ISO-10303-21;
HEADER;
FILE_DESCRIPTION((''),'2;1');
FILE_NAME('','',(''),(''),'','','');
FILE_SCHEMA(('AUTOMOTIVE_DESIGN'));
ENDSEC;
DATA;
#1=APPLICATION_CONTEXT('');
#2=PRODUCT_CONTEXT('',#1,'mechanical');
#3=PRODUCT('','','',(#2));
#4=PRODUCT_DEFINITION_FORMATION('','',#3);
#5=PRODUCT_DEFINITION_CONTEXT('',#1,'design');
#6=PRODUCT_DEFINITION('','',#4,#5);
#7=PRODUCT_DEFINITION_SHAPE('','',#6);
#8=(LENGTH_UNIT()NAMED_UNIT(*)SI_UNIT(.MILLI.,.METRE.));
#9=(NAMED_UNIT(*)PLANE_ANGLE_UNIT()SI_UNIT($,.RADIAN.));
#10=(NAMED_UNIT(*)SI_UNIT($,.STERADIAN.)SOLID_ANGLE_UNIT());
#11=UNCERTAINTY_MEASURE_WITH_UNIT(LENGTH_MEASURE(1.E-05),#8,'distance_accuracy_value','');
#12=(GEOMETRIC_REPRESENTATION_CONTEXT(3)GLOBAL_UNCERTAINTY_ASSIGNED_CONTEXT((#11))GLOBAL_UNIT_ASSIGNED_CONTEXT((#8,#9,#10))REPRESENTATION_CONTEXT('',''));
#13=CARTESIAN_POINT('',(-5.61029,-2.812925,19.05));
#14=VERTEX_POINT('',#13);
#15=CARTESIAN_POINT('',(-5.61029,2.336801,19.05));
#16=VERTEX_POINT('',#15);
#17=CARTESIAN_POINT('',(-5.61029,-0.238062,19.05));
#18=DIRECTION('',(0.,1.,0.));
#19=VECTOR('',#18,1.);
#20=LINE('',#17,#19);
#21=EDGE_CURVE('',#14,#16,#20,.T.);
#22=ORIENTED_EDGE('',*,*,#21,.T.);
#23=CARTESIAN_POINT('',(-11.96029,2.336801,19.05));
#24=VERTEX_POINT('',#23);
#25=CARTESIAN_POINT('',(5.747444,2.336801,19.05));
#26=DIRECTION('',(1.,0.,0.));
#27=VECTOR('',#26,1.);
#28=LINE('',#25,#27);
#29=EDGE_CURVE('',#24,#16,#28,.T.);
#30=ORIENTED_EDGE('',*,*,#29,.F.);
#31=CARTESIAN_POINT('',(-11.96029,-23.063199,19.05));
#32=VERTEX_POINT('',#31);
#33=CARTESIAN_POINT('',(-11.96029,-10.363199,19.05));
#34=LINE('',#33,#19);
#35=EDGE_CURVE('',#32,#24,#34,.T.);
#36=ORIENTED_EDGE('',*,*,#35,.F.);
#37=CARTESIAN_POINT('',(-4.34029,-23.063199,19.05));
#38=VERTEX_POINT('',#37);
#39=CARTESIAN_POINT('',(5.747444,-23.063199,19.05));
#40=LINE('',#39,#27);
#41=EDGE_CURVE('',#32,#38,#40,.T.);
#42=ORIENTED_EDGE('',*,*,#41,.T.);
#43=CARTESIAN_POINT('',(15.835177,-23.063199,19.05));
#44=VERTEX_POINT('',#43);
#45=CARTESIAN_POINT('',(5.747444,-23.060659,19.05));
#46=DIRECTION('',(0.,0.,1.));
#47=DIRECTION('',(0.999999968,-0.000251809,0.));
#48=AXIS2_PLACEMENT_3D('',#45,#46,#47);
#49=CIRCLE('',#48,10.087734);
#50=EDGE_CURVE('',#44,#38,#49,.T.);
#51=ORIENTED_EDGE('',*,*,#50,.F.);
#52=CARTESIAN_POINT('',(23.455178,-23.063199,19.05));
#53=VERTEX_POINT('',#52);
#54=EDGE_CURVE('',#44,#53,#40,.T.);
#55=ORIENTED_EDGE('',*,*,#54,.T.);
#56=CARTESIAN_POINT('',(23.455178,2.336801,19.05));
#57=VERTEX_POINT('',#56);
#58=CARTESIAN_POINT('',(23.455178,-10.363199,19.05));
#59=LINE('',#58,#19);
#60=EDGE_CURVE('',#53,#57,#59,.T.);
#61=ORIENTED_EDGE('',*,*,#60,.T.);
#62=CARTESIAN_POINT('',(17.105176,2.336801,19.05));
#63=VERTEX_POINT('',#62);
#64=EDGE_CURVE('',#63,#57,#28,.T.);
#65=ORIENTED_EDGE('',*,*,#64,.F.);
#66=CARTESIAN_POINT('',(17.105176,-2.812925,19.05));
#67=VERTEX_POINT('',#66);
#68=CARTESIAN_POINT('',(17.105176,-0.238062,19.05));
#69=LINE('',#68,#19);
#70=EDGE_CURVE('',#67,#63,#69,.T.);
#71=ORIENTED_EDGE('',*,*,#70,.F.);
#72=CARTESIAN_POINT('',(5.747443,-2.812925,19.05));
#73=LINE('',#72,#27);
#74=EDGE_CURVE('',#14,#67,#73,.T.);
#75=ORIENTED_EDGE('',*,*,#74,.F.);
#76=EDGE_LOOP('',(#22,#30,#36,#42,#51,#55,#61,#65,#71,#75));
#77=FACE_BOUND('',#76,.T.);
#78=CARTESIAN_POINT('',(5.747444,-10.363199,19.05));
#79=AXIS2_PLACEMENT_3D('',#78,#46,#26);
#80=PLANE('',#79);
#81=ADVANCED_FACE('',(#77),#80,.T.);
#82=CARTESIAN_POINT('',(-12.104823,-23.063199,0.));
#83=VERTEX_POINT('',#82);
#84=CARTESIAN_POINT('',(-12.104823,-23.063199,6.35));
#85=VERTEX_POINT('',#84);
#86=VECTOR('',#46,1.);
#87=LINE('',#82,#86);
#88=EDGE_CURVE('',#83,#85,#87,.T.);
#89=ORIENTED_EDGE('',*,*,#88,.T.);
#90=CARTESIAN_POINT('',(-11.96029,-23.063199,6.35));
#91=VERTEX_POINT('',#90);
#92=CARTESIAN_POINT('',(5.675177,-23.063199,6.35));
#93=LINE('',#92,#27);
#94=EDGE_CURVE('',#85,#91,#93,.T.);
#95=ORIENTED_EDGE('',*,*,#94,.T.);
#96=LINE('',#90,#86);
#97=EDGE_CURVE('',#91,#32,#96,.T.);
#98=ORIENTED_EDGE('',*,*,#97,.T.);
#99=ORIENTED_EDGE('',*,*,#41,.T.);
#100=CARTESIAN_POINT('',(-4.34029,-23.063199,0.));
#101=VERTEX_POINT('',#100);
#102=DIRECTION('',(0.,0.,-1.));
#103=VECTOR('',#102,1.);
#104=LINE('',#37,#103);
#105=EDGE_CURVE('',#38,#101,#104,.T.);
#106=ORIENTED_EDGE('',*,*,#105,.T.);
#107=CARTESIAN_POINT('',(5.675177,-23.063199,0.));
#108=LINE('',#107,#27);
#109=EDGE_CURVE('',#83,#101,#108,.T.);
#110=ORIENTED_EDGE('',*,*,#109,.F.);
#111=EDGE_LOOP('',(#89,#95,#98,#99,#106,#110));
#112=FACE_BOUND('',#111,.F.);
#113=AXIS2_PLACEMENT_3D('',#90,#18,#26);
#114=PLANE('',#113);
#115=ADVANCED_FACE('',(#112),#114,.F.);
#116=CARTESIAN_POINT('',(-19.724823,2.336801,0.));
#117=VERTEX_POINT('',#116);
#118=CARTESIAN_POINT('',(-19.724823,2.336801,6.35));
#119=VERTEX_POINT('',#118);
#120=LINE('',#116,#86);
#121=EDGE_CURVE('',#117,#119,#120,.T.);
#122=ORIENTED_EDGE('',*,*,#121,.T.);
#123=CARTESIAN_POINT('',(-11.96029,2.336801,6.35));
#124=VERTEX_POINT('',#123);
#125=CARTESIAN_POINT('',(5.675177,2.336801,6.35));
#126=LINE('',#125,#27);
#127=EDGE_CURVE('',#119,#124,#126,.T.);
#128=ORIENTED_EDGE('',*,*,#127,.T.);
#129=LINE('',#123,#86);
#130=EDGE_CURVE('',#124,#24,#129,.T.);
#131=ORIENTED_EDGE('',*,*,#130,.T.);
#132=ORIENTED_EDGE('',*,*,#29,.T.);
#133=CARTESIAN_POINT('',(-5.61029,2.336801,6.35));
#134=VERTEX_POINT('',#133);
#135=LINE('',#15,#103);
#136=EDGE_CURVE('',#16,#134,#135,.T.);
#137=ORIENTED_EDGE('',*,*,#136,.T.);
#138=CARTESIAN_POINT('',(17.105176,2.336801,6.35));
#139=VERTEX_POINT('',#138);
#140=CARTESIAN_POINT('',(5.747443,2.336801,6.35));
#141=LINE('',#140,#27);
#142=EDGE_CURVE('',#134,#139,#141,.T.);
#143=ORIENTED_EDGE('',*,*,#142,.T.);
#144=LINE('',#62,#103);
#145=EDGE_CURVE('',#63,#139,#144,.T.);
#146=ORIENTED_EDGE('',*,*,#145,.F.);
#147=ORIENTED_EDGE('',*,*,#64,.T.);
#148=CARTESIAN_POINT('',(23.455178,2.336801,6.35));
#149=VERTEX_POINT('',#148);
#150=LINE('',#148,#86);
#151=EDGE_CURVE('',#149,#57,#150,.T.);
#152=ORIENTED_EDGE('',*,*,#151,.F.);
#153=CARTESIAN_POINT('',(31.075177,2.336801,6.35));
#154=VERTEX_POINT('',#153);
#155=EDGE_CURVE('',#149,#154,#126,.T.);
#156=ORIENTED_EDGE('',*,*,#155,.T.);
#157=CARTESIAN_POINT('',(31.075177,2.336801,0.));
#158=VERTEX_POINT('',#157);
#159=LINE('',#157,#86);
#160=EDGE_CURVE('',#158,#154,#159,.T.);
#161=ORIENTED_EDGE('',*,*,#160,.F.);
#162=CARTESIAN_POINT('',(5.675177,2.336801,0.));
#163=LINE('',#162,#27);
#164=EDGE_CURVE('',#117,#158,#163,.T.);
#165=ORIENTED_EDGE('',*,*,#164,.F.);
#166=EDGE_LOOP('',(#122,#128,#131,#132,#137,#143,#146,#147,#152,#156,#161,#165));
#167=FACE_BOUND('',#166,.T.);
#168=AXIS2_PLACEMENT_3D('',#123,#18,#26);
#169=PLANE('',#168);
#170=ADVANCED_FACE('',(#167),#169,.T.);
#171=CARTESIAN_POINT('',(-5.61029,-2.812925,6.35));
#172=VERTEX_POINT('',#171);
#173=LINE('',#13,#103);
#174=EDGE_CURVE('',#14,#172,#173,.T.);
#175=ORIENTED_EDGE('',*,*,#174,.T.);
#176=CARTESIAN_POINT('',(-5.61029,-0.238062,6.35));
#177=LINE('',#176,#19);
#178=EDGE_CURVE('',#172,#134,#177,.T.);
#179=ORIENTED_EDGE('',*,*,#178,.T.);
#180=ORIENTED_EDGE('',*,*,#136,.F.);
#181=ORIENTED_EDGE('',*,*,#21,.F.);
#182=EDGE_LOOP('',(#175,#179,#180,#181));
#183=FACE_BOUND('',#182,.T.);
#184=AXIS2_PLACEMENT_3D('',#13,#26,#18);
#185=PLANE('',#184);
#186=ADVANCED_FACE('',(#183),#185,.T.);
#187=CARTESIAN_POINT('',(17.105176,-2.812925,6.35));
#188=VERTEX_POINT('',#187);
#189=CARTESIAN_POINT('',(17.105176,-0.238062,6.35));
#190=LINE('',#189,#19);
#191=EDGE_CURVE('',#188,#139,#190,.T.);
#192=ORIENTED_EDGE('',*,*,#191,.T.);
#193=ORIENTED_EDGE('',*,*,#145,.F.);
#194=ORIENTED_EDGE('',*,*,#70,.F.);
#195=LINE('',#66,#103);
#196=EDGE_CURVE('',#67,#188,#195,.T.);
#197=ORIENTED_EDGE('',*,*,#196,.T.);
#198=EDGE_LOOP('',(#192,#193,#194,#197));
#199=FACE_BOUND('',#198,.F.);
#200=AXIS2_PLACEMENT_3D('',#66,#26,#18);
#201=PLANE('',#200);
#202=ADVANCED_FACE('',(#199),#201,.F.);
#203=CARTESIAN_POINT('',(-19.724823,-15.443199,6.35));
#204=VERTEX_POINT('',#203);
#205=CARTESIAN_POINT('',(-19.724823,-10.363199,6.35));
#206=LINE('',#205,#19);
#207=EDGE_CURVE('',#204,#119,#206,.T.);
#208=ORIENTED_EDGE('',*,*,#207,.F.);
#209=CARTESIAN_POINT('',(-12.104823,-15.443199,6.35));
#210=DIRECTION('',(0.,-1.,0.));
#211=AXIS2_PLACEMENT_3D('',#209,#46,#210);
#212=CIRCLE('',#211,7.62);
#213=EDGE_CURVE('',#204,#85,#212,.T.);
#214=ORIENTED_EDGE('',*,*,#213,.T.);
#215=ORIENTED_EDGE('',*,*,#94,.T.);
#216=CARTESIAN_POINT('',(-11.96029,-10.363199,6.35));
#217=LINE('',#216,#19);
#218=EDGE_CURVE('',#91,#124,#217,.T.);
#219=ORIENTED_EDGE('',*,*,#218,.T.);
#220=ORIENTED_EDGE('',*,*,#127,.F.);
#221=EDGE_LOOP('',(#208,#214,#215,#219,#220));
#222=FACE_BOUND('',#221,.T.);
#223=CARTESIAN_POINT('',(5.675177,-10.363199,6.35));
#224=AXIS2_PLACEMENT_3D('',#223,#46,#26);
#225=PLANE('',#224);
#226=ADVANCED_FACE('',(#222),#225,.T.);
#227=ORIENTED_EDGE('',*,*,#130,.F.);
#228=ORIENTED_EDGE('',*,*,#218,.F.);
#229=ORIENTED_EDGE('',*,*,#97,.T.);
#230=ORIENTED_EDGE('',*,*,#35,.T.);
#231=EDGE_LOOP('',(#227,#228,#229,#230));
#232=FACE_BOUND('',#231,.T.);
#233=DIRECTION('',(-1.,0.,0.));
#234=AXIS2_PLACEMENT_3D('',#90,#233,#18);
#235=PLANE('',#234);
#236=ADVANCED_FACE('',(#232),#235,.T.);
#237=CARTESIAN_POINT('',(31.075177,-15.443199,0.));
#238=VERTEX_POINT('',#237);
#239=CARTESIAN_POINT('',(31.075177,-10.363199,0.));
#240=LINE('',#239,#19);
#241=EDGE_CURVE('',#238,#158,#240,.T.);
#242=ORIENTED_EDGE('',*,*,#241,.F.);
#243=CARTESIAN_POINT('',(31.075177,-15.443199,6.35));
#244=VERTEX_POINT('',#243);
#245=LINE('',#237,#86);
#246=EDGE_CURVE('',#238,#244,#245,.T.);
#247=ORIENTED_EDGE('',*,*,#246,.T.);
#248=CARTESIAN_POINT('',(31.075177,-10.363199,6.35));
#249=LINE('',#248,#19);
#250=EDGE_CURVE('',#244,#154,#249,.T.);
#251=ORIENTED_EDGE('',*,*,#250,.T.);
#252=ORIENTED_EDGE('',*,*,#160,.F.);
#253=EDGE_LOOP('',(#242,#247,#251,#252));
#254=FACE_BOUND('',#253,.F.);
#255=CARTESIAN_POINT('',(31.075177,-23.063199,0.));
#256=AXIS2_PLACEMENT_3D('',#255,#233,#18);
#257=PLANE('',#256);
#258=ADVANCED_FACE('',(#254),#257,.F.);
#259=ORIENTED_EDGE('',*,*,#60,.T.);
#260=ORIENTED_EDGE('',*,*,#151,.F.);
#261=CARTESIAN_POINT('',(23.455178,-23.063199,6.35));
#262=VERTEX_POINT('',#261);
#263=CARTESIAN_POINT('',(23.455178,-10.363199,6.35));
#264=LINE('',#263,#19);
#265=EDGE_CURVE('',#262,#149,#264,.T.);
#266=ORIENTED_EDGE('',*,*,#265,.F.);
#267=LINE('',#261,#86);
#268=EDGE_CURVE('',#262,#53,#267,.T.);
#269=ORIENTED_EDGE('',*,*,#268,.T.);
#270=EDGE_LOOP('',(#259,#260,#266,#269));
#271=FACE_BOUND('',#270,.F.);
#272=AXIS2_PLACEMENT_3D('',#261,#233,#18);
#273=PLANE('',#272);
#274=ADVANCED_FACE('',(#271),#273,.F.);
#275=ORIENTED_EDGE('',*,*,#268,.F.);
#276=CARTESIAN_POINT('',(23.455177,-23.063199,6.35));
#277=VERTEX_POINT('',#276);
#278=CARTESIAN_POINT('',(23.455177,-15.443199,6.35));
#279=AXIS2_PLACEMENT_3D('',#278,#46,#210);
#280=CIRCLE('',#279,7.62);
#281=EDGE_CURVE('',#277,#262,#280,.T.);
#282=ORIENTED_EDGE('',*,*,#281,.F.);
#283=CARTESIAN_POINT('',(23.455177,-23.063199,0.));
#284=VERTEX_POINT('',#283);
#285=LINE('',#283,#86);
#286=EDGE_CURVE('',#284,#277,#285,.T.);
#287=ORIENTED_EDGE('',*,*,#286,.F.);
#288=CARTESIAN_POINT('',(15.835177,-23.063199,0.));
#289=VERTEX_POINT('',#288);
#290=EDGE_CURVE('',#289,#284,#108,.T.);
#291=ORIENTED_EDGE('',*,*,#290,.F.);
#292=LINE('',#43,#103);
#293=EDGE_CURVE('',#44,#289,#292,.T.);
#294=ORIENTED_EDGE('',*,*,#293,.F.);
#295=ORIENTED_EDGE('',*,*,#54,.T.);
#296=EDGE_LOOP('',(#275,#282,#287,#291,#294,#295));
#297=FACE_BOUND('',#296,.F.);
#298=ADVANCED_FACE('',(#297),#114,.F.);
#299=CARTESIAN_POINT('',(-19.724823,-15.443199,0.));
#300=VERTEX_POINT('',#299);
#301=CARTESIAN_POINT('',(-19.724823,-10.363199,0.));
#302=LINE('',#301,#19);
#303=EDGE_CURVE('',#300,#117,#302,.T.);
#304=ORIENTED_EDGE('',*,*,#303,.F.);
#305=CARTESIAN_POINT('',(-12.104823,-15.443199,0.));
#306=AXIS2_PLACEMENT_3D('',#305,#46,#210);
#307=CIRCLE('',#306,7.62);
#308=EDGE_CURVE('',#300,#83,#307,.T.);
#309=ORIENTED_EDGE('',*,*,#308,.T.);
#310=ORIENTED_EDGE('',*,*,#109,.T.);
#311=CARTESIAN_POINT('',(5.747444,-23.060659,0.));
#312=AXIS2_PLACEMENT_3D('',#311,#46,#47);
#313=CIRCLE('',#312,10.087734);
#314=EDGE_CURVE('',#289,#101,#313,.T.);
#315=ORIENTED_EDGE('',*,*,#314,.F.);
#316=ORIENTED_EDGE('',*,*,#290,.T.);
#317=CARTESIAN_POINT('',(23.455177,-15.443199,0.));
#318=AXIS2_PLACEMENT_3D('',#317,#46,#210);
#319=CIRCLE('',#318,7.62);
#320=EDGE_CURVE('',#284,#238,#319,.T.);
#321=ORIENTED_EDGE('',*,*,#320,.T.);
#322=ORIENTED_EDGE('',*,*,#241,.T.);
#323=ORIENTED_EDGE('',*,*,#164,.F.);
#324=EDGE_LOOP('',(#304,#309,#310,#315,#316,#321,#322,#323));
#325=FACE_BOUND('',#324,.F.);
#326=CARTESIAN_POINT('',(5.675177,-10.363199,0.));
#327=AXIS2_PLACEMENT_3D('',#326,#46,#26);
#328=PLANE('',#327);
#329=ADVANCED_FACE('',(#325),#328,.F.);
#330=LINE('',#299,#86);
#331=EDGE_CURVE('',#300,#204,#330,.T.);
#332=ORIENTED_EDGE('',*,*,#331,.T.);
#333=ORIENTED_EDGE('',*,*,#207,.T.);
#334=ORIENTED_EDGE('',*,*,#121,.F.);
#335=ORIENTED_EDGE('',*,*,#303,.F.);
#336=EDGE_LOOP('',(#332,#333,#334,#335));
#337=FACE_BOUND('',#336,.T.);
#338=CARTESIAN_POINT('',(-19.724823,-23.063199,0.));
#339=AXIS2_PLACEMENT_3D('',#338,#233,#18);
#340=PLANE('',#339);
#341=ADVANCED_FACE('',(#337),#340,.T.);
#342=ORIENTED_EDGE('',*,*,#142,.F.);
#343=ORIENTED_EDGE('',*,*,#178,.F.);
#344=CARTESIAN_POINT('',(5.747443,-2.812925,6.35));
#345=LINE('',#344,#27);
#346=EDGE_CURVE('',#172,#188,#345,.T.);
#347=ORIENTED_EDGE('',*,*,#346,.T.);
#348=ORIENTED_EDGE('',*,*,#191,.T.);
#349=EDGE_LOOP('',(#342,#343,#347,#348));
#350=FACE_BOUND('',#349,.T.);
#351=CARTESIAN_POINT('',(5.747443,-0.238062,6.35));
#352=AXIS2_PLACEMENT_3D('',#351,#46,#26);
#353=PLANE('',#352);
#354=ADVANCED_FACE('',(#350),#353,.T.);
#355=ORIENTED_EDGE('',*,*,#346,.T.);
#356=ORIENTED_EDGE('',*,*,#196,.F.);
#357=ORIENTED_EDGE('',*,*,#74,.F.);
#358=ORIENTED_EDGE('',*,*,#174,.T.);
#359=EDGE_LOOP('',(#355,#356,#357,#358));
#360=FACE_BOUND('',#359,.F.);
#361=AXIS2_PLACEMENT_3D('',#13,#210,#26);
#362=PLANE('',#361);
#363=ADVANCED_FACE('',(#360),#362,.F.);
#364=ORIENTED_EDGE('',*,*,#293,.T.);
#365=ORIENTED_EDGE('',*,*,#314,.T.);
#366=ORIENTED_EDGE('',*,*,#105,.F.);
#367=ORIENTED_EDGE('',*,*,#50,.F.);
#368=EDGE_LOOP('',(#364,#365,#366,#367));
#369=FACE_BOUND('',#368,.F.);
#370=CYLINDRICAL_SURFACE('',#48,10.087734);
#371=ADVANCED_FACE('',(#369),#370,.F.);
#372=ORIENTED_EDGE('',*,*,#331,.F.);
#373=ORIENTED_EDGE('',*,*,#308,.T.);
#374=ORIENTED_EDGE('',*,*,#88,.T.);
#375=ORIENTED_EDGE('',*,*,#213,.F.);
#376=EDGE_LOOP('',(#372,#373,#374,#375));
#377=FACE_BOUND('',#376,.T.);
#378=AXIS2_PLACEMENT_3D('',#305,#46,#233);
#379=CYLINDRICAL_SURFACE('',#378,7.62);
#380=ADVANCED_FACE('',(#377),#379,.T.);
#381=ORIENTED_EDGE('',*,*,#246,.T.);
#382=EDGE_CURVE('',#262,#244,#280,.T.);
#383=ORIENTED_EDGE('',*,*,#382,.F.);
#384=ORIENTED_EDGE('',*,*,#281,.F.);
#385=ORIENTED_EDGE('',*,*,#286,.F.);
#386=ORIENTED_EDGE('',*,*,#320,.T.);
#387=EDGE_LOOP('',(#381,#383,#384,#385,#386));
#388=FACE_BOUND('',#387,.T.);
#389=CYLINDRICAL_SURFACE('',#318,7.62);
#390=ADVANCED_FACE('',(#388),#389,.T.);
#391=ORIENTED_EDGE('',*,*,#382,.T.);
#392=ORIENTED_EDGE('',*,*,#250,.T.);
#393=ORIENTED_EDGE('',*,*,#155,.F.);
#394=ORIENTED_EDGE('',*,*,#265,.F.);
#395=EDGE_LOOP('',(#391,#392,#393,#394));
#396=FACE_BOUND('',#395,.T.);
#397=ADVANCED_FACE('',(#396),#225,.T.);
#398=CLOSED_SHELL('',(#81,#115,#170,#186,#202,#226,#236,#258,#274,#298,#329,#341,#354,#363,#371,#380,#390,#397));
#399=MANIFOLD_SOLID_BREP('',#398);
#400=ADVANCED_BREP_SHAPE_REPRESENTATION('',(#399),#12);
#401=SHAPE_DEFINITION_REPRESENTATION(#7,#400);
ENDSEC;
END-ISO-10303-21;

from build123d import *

# Parameters (mm, degrees)
F0_W     = 50.8
F0_H     = 25.4
F1_DEPTH = 6.35
F2_R     = 7.62
F3_W     = 35.415467
F3_H     = 25.4
F4_DEPTH = 12.7
F6_DEPTH = 19.051
F7_W     = 22.715467
F7_H     = 5.149726
F8_DEPTH = 12.7


with BuildPart() as f1:
    # F0 (on Top) → F1 (new body)
    with BuildSketch(Plane.XY):
        with Locations((5.675177, -10.363199)):
            Rectangle(F0_W, F0_H)
    extrude(amount=F1_DEPTH)

    # F2
    f2_edges = [f1.edges().sort_by_distance(p)[0] for p in [
        (-19.724823, -23.063199, 3.175),
        (31.075177, -23.063199, 3.175),
    ]]
    fillet(f2_edges, radius=F2_R)

    # F3 (on face) → F4 (join)
    with BuildSketch(Plane.XY.offset(6.35)):
        with Locations((5.747444, -10.363199)):
            Rectangle(F3_W, F3_H)
    extrude(amount=F4_DEPTH)

    # F5 (on face) → F6 (cut, through all)
    with BuildSketch(Plane.XY.offset(19.05)):
        with BuildLine():
            Line((-4.34029, -23.063199), (15.835177, -23.063199))
            ThreePointArc((15.835177, -23.063199), (5.747443, -12.972925), (-4.34029, -23.063199))
        make_face()
    extrude(amount=-F6_DEPTH, mode=Mode.SUBTRACT)

    # F7 (on face) → F8 (cut)
    with BuildSketch(Plane.XY.offset(19.05)):
        with Locations((5.747443, -0.238062)):
            Rectangle(F7_W, F7_H)
    extrude(amount=-F8_DEPTH, mode=Mode.SUBTRACT)


solid = f1.part
